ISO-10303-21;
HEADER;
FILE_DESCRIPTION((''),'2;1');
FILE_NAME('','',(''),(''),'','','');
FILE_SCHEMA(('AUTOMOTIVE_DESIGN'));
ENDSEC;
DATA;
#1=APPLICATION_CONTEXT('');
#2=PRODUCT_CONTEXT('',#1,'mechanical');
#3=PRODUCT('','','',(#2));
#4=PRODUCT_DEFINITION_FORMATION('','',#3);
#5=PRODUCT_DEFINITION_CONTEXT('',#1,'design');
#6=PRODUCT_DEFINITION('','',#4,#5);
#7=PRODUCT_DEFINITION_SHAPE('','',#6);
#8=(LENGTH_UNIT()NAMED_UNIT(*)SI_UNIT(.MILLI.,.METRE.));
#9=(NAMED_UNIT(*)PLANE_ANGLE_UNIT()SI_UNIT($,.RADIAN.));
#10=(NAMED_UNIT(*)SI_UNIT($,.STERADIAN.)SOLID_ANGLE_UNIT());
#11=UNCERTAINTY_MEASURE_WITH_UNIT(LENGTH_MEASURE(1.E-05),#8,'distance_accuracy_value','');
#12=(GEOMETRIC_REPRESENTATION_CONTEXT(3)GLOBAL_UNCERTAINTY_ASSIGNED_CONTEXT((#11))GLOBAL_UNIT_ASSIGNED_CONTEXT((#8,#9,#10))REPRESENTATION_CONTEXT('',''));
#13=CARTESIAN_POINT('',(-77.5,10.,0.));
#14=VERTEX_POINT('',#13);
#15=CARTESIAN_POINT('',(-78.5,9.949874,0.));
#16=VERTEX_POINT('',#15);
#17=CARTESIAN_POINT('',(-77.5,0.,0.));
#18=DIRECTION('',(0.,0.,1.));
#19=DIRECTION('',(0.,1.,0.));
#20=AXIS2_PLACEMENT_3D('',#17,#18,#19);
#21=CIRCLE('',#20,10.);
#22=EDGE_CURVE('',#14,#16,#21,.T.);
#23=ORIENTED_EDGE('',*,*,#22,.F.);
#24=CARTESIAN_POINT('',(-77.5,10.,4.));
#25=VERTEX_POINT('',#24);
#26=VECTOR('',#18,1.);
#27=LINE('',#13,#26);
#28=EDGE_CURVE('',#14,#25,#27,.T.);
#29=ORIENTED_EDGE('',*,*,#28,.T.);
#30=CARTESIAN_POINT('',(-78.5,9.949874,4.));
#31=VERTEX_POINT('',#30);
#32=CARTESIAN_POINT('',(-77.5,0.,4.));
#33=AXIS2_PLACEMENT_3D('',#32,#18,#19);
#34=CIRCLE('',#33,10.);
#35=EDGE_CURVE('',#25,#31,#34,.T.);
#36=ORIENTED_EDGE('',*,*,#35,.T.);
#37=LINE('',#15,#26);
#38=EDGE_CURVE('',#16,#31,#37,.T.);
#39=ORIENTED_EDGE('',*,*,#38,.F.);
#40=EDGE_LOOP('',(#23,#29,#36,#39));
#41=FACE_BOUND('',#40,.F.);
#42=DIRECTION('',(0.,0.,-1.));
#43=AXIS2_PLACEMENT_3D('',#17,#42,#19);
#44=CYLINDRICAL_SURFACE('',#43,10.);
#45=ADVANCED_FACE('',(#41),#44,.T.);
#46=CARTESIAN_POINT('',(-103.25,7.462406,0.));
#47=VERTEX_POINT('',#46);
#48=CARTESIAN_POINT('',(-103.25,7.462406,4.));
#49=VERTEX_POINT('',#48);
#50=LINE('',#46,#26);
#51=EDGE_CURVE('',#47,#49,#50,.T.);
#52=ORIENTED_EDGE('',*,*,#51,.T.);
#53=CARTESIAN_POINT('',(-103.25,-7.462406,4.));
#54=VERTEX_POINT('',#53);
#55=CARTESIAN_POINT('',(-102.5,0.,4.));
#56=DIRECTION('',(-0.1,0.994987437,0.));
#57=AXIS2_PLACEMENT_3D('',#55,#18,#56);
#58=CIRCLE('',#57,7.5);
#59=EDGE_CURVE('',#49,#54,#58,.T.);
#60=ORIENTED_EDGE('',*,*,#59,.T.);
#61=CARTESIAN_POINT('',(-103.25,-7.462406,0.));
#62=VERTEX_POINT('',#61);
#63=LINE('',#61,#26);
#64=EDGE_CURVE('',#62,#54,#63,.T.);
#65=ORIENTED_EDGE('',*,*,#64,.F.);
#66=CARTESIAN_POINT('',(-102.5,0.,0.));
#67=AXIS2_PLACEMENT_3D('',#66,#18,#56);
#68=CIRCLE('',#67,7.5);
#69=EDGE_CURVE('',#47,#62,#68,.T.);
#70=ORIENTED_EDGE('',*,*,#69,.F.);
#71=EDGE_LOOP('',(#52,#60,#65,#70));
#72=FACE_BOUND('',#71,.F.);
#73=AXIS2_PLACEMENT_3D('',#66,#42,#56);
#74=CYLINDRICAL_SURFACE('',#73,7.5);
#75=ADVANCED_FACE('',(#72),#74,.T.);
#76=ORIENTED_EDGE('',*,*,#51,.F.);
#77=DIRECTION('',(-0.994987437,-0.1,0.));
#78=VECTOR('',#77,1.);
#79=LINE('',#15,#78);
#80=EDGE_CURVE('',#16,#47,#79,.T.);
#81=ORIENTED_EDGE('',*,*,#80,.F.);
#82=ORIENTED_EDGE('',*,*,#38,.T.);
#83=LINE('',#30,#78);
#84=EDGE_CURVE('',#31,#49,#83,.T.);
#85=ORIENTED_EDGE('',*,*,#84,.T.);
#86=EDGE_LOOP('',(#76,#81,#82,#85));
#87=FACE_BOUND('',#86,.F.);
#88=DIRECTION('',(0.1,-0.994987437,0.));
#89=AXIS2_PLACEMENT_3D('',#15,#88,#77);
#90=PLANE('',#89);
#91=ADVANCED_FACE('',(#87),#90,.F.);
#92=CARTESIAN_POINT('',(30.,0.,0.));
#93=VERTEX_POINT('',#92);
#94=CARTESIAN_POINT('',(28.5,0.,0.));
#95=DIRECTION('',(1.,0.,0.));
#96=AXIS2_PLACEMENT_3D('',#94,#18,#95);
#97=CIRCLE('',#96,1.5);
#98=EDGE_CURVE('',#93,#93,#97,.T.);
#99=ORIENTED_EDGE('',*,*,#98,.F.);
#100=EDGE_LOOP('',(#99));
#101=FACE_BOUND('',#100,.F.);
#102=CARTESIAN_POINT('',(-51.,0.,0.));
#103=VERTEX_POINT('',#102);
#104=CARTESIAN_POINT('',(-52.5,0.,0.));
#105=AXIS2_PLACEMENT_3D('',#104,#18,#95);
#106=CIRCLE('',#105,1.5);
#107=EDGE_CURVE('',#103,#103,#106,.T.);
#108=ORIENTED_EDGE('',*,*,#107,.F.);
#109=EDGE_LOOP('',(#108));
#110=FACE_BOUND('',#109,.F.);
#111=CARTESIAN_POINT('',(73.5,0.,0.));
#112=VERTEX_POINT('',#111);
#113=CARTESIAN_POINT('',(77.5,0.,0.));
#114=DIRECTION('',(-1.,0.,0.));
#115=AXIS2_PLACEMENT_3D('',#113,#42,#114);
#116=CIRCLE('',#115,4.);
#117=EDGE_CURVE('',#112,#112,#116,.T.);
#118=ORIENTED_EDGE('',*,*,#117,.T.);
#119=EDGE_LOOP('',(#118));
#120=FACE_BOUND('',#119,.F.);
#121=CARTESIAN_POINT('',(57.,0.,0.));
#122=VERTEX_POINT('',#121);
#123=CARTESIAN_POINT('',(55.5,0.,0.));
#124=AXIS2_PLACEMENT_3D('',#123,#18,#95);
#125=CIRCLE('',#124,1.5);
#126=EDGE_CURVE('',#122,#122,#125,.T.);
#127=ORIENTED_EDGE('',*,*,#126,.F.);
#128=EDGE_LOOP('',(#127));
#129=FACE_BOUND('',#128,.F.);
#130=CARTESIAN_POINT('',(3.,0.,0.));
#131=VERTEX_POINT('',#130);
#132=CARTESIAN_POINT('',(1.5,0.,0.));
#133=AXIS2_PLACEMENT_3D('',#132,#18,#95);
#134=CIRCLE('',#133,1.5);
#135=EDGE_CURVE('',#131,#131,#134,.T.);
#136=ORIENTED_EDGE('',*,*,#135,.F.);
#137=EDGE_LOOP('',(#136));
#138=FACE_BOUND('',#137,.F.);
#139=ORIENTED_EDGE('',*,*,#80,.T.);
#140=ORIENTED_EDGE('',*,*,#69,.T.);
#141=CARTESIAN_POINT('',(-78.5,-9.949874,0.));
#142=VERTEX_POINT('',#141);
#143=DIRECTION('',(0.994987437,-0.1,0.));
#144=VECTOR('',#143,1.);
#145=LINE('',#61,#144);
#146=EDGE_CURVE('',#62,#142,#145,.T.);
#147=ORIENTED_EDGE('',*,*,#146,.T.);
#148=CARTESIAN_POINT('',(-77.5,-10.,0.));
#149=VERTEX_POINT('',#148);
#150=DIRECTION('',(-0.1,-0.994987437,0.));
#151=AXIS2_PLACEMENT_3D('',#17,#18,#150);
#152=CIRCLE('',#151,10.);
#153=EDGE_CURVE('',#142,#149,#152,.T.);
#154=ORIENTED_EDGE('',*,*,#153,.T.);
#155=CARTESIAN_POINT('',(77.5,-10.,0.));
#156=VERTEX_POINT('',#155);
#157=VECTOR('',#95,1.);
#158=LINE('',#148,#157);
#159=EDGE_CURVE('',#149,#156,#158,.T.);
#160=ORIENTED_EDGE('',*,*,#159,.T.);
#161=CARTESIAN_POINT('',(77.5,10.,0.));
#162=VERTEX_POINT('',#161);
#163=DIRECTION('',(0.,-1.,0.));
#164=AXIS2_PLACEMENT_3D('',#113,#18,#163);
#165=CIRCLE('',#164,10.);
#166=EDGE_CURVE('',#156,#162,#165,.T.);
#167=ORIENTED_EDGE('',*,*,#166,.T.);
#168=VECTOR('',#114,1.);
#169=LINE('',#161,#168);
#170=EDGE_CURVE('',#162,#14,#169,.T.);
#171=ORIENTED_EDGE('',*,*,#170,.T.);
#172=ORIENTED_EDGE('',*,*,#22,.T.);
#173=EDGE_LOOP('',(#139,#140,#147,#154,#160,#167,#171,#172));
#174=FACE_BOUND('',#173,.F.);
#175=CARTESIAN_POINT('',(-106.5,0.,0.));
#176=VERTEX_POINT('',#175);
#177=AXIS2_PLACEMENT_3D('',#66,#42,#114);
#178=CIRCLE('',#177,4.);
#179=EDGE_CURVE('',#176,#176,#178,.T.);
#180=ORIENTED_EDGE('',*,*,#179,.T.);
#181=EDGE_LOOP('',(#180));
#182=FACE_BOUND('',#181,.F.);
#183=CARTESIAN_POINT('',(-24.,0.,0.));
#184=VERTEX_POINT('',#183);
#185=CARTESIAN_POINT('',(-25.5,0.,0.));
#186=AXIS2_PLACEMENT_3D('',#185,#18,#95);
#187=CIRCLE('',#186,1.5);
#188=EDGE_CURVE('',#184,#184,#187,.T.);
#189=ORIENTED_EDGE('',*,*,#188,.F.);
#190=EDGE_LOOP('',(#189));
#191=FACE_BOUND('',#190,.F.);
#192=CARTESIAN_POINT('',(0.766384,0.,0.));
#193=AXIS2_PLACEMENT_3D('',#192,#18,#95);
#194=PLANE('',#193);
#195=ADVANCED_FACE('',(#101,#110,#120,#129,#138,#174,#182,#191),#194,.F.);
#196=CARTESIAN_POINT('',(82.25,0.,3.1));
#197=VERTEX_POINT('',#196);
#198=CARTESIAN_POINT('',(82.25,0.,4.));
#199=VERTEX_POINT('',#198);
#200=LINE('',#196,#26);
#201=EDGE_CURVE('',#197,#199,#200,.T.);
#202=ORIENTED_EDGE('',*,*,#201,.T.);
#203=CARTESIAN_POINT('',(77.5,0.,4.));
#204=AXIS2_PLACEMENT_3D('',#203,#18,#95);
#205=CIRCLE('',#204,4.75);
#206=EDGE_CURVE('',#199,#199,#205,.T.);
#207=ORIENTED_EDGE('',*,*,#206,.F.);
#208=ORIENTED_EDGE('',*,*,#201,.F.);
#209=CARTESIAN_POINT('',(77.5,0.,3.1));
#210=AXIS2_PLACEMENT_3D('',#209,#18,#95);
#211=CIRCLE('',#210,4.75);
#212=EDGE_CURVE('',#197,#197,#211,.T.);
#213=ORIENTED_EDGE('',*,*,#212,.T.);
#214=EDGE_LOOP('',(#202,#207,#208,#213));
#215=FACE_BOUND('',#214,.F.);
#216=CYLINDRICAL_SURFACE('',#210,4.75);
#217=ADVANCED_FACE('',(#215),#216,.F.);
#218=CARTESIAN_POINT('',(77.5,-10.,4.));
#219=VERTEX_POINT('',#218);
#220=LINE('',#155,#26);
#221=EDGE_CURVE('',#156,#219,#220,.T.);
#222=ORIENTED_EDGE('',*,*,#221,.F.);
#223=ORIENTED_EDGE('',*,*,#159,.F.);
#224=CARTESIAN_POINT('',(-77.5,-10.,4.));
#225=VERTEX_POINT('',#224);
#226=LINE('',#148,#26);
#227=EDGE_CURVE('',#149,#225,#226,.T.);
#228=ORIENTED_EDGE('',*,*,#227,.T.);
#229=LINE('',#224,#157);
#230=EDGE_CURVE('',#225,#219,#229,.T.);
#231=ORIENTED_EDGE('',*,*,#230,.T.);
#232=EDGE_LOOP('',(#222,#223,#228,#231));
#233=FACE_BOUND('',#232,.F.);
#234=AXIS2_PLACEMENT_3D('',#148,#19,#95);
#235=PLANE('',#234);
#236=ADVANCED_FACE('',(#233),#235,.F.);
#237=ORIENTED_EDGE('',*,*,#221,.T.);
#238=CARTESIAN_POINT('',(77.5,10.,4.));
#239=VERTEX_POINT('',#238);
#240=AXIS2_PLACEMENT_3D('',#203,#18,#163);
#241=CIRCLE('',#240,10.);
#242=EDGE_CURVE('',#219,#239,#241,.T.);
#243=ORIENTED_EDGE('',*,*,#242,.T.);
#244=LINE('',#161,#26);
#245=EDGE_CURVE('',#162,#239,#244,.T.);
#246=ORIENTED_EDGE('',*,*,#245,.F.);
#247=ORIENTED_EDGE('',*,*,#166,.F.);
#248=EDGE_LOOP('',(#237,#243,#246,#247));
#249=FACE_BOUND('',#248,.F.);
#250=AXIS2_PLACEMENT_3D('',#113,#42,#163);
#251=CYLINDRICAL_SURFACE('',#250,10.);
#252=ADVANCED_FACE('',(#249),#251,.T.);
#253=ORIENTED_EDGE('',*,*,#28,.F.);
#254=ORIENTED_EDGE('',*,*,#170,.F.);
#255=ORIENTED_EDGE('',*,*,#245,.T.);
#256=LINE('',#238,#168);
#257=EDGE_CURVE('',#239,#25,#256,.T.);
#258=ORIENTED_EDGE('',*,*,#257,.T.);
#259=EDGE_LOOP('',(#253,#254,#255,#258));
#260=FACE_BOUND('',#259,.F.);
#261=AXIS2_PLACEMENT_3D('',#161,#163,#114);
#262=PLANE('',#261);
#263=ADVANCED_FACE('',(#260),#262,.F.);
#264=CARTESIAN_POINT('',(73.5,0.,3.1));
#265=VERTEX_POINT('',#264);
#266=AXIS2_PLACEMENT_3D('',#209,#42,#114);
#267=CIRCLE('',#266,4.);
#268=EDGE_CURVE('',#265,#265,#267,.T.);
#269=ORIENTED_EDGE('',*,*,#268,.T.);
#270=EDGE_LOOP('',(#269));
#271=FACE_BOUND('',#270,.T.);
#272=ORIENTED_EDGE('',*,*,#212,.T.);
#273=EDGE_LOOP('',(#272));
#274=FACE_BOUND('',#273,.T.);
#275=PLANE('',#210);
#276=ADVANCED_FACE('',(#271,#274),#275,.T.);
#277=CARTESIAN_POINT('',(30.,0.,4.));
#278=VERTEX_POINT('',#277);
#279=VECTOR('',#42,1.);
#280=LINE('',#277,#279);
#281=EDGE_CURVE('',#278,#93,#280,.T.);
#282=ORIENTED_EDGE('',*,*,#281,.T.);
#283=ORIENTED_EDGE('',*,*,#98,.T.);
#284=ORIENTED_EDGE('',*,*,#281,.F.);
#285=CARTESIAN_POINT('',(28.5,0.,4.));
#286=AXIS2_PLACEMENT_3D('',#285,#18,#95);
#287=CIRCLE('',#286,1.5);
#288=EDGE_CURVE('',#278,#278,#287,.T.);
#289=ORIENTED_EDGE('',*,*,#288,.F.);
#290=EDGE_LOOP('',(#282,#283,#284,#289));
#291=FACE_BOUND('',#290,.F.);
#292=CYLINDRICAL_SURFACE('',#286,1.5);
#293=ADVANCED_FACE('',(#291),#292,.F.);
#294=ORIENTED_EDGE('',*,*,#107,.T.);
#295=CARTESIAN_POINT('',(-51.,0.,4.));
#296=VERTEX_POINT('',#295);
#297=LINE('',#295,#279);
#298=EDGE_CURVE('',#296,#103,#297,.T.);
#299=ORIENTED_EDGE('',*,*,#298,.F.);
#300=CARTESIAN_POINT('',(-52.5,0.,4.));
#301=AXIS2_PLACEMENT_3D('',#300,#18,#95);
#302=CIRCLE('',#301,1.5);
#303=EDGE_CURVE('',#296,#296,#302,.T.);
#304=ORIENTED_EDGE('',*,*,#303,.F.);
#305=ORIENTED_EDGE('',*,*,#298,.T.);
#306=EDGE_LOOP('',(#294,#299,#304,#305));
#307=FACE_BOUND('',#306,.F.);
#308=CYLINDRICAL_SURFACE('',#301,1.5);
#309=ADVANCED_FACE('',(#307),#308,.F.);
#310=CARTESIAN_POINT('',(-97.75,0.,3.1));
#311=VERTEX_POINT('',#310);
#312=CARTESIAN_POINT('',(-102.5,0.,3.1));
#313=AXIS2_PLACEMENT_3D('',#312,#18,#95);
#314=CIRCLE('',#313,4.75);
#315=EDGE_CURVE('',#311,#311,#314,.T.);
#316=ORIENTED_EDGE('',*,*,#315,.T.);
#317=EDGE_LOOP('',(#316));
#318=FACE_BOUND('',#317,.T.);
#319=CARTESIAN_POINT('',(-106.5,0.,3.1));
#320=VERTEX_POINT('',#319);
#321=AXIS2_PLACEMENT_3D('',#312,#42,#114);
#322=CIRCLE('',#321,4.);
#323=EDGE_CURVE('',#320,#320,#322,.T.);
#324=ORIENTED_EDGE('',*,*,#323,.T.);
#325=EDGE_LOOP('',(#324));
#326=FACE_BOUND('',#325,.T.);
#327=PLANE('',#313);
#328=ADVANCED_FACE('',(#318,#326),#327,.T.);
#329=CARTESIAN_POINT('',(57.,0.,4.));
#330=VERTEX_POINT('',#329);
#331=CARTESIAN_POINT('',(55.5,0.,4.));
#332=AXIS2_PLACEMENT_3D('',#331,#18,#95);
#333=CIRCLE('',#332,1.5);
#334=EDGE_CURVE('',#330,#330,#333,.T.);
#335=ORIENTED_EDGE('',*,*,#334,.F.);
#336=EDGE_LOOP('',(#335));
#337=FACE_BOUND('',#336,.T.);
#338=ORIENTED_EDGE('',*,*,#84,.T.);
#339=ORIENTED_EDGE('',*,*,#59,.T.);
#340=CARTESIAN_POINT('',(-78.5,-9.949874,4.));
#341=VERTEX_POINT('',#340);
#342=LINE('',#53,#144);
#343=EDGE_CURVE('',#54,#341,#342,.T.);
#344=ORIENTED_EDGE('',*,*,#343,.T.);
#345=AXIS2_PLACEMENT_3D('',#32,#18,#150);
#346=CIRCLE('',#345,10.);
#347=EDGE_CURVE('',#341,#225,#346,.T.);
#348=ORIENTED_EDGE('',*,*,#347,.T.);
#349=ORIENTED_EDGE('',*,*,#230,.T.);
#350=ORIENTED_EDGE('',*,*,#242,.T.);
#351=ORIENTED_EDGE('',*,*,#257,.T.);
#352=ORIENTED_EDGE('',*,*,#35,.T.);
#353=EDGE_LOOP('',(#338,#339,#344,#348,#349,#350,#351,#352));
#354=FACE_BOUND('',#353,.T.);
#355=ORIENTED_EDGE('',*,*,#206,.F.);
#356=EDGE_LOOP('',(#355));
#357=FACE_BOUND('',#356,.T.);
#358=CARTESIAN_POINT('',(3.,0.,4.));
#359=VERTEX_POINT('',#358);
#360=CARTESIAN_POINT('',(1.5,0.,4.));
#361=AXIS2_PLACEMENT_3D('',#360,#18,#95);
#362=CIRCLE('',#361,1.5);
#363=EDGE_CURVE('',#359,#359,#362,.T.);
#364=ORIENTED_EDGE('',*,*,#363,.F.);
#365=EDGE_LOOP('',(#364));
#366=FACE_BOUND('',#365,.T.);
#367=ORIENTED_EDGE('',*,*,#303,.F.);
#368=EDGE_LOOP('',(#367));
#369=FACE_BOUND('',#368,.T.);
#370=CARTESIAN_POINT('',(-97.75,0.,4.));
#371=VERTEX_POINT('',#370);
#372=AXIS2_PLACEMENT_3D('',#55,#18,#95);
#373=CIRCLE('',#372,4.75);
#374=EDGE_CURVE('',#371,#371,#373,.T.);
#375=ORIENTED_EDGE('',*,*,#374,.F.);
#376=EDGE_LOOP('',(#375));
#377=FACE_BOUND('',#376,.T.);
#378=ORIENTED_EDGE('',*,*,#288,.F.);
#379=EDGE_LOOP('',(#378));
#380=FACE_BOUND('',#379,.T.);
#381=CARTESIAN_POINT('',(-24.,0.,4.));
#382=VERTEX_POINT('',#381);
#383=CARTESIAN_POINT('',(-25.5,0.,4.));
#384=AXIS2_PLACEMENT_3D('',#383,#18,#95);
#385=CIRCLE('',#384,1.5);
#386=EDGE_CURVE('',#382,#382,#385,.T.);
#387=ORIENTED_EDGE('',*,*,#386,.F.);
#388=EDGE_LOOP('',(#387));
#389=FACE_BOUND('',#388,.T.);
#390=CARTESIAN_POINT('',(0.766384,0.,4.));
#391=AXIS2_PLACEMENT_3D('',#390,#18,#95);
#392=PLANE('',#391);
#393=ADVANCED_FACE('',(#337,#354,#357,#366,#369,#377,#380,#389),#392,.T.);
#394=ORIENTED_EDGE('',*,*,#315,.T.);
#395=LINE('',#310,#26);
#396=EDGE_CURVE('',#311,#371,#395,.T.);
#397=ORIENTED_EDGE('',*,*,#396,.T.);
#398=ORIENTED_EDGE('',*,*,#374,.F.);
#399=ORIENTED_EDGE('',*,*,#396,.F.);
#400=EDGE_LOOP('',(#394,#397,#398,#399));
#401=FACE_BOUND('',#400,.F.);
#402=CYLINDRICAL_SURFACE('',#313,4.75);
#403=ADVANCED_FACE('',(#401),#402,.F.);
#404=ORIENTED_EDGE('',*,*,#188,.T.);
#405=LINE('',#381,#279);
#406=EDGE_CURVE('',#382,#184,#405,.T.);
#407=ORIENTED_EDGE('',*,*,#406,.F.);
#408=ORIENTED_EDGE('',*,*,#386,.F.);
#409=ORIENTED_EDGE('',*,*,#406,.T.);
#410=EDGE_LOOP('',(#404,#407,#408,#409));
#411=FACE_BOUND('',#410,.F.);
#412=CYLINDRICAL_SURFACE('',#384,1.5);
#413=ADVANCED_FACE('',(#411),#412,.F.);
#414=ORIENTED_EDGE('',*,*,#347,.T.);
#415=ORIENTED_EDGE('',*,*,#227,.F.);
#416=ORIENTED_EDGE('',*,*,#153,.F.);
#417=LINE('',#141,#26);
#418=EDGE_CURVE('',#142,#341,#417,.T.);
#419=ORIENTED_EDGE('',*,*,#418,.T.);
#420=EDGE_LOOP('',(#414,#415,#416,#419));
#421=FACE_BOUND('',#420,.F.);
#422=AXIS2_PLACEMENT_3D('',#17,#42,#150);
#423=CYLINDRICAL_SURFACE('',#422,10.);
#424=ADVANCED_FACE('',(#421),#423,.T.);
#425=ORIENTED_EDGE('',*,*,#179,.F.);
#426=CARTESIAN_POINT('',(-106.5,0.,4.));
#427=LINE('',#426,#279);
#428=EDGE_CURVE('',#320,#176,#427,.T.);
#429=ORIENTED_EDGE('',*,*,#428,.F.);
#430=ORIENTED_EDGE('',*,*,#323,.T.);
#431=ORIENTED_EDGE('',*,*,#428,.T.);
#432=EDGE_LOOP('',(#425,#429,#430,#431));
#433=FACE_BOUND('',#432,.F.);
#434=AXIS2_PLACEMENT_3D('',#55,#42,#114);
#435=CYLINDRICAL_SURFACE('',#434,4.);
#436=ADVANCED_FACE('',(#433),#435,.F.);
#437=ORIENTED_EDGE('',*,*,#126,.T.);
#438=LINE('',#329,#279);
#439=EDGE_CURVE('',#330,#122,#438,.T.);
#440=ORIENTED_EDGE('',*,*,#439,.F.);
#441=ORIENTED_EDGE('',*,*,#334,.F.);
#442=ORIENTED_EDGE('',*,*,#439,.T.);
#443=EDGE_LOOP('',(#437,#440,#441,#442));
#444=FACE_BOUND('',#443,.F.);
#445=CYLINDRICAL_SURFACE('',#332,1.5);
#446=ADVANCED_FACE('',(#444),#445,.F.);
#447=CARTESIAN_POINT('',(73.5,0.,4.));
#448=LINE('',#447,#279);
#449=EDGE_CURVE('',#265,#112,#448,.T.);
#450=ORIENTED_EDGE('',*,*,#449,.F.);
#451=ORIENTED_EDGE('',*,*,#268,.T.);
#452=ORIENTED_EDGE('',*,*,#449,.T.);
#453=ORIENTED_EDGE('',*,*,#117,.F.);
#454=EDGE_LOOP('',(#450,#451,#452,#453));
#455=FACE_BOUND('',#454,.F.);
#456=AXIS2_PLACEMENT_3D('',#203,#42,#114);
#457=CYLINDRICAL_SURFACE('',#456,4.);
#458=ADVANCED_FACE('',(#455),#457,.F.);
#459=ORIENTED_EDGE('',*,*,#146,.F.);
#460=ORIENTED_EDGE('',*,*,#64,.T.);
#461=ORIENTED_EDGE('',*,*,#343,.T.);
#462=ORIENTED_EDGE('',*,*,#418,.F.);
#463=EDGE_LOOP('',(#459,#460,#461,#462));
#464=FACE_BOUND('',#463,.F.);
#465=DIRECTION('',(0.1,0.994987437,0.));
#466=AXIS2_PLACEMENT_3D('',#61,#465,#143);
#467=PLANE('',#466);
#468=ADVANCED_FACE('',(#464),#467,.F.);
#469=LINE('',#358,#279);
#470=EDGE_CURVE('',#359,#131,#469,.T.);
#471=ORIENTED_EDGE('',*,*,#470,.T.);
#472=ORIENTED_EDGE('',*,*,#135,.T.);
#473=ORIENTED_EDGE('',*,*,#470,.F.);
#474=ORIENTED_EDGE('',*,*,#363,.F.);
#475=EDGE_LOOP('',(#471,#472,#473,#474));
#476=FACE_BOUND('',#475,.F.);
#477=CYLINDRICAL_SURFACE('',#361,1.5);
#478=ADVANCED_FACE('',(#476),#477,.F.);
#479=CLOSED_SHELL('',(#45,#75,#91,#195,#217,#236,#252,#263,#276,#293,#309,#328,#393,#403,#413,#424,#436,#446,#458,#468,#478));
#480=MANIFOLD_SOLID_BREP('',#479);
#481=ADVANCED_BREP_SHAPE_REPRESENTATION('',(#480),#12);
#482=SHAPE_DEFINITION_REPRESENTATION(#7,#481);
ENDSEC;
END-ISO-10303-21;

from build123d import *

# Parameters (mm, degrees)
EXTRUDE_1_DEPTH              = 4
HOLE_WIZARD_M5_1_D           = 8
HOLE_WIZARD_M5_1_CBORE_D     = 9.5
HOLE_WIZARD_M5_1_CBORE_DEPTH = 0.9
SKETCH_11_R                  = 1.5
CUT_EXTRUDE_1_DEPTH          = 1
CUT_EXTRUDE_1_DEPTH_BACK     = 5


with BuildPart() as part:
    # 草图1 → 凸台-拉伸1 (new body)
    with BuildSketch(Plane.XY):
        with BuildLine():
            Line((77.5, 10), (-77.5, 10))
            ThreePointArc((-77.5, 10), (-70.428932188, 7.071067812), (-67.5, 0))
            ThreePointArc((-67.5, 0), (-70.428932188, -7.071067812), (-77.5, -10))
            Line((-77.5, -10), (77.5, -10))
            ThreePointArc((77.5, -10), (87.5, 0), (77.5, 10))
        make_face()
        with BuildLine():
            ThreePointArc((-67.5, 0), (-70.428932188, 7.071067812), (-77.5, 10))
            ThreePointArc((-77.5, 10), (-78.000627751, 9.987460731), (-78.5, 9.949874371))
            ThreePointArc((-78.5, 9.949874371), (-87.5, 0), (-78.5, -9.949874371))
            ThreePointArc((-78.5, -9.949874371), (-78.000627751, -9.987460731), (-77.5, -10))
            ThreePointArc((-77.5, -10), (-70.428932188, -7.071067812), (-67.5, 0))
        make_face()
        with BuildLine():
            ThreePointArc((-78.5, -9.949874371), (-87.5, 0), (-78.5, 9.949874371))
            Line((-78.5, 9.949874371), (-103.25, 7.462405778))
            ThreePointArc((-103.25, 7.462405778), (-110, 0), (-103.25, -7.462405778))
            Line((-103.25, -7.462405778), (-78.5, -9.949874371))
        make_face()
    extrude(amount=EXTRUDE_1_DEPTH)

    # M5 六角头螺栓的柱形沉头孔1 (through all)
    with Locations(Plane.XY.offset(4)):
        with Locations((-102.5, 0), (77.5, 0)):
            CounterBoreHole(HOLE_WIZARD_M5_1_D / 2, HOLE_WIZARD_M5_1_CBORE_D / 2, HOLE_WIZARD_M5_1_CBORE_DEPTH)

    # 草图11 → 切除-拉伸1 (cut, two sides)
    with BuildSketch(Plane.XY.offset(4)) as cut_extrude_1_sk:
        with Locations((-52.5, 0)):
            Circle(SKETCH_11_R)
        with Locations((-25.5, 0)):
            Circle(SKETCH_11_R)
        with Locations((1.5, 0)):
            Circle(SKETCH_11_R)
        with Locations((28.5, 0)):
            Circle(SKETCH_11_R)
        with Locations((55.5, 0)):
            Circle(SKETCH_11_R)
    extrude(amount=CUT_EXTRUDE_1_DEPTH, mode=Mode.SUBTRACT)
    extrude(cut_extrude_1_sk.sketch, amount=-CUT_EXTRUDE_1_DEPTH_BACK, mode=Mode.SUBTRACT)


solid = part.part
